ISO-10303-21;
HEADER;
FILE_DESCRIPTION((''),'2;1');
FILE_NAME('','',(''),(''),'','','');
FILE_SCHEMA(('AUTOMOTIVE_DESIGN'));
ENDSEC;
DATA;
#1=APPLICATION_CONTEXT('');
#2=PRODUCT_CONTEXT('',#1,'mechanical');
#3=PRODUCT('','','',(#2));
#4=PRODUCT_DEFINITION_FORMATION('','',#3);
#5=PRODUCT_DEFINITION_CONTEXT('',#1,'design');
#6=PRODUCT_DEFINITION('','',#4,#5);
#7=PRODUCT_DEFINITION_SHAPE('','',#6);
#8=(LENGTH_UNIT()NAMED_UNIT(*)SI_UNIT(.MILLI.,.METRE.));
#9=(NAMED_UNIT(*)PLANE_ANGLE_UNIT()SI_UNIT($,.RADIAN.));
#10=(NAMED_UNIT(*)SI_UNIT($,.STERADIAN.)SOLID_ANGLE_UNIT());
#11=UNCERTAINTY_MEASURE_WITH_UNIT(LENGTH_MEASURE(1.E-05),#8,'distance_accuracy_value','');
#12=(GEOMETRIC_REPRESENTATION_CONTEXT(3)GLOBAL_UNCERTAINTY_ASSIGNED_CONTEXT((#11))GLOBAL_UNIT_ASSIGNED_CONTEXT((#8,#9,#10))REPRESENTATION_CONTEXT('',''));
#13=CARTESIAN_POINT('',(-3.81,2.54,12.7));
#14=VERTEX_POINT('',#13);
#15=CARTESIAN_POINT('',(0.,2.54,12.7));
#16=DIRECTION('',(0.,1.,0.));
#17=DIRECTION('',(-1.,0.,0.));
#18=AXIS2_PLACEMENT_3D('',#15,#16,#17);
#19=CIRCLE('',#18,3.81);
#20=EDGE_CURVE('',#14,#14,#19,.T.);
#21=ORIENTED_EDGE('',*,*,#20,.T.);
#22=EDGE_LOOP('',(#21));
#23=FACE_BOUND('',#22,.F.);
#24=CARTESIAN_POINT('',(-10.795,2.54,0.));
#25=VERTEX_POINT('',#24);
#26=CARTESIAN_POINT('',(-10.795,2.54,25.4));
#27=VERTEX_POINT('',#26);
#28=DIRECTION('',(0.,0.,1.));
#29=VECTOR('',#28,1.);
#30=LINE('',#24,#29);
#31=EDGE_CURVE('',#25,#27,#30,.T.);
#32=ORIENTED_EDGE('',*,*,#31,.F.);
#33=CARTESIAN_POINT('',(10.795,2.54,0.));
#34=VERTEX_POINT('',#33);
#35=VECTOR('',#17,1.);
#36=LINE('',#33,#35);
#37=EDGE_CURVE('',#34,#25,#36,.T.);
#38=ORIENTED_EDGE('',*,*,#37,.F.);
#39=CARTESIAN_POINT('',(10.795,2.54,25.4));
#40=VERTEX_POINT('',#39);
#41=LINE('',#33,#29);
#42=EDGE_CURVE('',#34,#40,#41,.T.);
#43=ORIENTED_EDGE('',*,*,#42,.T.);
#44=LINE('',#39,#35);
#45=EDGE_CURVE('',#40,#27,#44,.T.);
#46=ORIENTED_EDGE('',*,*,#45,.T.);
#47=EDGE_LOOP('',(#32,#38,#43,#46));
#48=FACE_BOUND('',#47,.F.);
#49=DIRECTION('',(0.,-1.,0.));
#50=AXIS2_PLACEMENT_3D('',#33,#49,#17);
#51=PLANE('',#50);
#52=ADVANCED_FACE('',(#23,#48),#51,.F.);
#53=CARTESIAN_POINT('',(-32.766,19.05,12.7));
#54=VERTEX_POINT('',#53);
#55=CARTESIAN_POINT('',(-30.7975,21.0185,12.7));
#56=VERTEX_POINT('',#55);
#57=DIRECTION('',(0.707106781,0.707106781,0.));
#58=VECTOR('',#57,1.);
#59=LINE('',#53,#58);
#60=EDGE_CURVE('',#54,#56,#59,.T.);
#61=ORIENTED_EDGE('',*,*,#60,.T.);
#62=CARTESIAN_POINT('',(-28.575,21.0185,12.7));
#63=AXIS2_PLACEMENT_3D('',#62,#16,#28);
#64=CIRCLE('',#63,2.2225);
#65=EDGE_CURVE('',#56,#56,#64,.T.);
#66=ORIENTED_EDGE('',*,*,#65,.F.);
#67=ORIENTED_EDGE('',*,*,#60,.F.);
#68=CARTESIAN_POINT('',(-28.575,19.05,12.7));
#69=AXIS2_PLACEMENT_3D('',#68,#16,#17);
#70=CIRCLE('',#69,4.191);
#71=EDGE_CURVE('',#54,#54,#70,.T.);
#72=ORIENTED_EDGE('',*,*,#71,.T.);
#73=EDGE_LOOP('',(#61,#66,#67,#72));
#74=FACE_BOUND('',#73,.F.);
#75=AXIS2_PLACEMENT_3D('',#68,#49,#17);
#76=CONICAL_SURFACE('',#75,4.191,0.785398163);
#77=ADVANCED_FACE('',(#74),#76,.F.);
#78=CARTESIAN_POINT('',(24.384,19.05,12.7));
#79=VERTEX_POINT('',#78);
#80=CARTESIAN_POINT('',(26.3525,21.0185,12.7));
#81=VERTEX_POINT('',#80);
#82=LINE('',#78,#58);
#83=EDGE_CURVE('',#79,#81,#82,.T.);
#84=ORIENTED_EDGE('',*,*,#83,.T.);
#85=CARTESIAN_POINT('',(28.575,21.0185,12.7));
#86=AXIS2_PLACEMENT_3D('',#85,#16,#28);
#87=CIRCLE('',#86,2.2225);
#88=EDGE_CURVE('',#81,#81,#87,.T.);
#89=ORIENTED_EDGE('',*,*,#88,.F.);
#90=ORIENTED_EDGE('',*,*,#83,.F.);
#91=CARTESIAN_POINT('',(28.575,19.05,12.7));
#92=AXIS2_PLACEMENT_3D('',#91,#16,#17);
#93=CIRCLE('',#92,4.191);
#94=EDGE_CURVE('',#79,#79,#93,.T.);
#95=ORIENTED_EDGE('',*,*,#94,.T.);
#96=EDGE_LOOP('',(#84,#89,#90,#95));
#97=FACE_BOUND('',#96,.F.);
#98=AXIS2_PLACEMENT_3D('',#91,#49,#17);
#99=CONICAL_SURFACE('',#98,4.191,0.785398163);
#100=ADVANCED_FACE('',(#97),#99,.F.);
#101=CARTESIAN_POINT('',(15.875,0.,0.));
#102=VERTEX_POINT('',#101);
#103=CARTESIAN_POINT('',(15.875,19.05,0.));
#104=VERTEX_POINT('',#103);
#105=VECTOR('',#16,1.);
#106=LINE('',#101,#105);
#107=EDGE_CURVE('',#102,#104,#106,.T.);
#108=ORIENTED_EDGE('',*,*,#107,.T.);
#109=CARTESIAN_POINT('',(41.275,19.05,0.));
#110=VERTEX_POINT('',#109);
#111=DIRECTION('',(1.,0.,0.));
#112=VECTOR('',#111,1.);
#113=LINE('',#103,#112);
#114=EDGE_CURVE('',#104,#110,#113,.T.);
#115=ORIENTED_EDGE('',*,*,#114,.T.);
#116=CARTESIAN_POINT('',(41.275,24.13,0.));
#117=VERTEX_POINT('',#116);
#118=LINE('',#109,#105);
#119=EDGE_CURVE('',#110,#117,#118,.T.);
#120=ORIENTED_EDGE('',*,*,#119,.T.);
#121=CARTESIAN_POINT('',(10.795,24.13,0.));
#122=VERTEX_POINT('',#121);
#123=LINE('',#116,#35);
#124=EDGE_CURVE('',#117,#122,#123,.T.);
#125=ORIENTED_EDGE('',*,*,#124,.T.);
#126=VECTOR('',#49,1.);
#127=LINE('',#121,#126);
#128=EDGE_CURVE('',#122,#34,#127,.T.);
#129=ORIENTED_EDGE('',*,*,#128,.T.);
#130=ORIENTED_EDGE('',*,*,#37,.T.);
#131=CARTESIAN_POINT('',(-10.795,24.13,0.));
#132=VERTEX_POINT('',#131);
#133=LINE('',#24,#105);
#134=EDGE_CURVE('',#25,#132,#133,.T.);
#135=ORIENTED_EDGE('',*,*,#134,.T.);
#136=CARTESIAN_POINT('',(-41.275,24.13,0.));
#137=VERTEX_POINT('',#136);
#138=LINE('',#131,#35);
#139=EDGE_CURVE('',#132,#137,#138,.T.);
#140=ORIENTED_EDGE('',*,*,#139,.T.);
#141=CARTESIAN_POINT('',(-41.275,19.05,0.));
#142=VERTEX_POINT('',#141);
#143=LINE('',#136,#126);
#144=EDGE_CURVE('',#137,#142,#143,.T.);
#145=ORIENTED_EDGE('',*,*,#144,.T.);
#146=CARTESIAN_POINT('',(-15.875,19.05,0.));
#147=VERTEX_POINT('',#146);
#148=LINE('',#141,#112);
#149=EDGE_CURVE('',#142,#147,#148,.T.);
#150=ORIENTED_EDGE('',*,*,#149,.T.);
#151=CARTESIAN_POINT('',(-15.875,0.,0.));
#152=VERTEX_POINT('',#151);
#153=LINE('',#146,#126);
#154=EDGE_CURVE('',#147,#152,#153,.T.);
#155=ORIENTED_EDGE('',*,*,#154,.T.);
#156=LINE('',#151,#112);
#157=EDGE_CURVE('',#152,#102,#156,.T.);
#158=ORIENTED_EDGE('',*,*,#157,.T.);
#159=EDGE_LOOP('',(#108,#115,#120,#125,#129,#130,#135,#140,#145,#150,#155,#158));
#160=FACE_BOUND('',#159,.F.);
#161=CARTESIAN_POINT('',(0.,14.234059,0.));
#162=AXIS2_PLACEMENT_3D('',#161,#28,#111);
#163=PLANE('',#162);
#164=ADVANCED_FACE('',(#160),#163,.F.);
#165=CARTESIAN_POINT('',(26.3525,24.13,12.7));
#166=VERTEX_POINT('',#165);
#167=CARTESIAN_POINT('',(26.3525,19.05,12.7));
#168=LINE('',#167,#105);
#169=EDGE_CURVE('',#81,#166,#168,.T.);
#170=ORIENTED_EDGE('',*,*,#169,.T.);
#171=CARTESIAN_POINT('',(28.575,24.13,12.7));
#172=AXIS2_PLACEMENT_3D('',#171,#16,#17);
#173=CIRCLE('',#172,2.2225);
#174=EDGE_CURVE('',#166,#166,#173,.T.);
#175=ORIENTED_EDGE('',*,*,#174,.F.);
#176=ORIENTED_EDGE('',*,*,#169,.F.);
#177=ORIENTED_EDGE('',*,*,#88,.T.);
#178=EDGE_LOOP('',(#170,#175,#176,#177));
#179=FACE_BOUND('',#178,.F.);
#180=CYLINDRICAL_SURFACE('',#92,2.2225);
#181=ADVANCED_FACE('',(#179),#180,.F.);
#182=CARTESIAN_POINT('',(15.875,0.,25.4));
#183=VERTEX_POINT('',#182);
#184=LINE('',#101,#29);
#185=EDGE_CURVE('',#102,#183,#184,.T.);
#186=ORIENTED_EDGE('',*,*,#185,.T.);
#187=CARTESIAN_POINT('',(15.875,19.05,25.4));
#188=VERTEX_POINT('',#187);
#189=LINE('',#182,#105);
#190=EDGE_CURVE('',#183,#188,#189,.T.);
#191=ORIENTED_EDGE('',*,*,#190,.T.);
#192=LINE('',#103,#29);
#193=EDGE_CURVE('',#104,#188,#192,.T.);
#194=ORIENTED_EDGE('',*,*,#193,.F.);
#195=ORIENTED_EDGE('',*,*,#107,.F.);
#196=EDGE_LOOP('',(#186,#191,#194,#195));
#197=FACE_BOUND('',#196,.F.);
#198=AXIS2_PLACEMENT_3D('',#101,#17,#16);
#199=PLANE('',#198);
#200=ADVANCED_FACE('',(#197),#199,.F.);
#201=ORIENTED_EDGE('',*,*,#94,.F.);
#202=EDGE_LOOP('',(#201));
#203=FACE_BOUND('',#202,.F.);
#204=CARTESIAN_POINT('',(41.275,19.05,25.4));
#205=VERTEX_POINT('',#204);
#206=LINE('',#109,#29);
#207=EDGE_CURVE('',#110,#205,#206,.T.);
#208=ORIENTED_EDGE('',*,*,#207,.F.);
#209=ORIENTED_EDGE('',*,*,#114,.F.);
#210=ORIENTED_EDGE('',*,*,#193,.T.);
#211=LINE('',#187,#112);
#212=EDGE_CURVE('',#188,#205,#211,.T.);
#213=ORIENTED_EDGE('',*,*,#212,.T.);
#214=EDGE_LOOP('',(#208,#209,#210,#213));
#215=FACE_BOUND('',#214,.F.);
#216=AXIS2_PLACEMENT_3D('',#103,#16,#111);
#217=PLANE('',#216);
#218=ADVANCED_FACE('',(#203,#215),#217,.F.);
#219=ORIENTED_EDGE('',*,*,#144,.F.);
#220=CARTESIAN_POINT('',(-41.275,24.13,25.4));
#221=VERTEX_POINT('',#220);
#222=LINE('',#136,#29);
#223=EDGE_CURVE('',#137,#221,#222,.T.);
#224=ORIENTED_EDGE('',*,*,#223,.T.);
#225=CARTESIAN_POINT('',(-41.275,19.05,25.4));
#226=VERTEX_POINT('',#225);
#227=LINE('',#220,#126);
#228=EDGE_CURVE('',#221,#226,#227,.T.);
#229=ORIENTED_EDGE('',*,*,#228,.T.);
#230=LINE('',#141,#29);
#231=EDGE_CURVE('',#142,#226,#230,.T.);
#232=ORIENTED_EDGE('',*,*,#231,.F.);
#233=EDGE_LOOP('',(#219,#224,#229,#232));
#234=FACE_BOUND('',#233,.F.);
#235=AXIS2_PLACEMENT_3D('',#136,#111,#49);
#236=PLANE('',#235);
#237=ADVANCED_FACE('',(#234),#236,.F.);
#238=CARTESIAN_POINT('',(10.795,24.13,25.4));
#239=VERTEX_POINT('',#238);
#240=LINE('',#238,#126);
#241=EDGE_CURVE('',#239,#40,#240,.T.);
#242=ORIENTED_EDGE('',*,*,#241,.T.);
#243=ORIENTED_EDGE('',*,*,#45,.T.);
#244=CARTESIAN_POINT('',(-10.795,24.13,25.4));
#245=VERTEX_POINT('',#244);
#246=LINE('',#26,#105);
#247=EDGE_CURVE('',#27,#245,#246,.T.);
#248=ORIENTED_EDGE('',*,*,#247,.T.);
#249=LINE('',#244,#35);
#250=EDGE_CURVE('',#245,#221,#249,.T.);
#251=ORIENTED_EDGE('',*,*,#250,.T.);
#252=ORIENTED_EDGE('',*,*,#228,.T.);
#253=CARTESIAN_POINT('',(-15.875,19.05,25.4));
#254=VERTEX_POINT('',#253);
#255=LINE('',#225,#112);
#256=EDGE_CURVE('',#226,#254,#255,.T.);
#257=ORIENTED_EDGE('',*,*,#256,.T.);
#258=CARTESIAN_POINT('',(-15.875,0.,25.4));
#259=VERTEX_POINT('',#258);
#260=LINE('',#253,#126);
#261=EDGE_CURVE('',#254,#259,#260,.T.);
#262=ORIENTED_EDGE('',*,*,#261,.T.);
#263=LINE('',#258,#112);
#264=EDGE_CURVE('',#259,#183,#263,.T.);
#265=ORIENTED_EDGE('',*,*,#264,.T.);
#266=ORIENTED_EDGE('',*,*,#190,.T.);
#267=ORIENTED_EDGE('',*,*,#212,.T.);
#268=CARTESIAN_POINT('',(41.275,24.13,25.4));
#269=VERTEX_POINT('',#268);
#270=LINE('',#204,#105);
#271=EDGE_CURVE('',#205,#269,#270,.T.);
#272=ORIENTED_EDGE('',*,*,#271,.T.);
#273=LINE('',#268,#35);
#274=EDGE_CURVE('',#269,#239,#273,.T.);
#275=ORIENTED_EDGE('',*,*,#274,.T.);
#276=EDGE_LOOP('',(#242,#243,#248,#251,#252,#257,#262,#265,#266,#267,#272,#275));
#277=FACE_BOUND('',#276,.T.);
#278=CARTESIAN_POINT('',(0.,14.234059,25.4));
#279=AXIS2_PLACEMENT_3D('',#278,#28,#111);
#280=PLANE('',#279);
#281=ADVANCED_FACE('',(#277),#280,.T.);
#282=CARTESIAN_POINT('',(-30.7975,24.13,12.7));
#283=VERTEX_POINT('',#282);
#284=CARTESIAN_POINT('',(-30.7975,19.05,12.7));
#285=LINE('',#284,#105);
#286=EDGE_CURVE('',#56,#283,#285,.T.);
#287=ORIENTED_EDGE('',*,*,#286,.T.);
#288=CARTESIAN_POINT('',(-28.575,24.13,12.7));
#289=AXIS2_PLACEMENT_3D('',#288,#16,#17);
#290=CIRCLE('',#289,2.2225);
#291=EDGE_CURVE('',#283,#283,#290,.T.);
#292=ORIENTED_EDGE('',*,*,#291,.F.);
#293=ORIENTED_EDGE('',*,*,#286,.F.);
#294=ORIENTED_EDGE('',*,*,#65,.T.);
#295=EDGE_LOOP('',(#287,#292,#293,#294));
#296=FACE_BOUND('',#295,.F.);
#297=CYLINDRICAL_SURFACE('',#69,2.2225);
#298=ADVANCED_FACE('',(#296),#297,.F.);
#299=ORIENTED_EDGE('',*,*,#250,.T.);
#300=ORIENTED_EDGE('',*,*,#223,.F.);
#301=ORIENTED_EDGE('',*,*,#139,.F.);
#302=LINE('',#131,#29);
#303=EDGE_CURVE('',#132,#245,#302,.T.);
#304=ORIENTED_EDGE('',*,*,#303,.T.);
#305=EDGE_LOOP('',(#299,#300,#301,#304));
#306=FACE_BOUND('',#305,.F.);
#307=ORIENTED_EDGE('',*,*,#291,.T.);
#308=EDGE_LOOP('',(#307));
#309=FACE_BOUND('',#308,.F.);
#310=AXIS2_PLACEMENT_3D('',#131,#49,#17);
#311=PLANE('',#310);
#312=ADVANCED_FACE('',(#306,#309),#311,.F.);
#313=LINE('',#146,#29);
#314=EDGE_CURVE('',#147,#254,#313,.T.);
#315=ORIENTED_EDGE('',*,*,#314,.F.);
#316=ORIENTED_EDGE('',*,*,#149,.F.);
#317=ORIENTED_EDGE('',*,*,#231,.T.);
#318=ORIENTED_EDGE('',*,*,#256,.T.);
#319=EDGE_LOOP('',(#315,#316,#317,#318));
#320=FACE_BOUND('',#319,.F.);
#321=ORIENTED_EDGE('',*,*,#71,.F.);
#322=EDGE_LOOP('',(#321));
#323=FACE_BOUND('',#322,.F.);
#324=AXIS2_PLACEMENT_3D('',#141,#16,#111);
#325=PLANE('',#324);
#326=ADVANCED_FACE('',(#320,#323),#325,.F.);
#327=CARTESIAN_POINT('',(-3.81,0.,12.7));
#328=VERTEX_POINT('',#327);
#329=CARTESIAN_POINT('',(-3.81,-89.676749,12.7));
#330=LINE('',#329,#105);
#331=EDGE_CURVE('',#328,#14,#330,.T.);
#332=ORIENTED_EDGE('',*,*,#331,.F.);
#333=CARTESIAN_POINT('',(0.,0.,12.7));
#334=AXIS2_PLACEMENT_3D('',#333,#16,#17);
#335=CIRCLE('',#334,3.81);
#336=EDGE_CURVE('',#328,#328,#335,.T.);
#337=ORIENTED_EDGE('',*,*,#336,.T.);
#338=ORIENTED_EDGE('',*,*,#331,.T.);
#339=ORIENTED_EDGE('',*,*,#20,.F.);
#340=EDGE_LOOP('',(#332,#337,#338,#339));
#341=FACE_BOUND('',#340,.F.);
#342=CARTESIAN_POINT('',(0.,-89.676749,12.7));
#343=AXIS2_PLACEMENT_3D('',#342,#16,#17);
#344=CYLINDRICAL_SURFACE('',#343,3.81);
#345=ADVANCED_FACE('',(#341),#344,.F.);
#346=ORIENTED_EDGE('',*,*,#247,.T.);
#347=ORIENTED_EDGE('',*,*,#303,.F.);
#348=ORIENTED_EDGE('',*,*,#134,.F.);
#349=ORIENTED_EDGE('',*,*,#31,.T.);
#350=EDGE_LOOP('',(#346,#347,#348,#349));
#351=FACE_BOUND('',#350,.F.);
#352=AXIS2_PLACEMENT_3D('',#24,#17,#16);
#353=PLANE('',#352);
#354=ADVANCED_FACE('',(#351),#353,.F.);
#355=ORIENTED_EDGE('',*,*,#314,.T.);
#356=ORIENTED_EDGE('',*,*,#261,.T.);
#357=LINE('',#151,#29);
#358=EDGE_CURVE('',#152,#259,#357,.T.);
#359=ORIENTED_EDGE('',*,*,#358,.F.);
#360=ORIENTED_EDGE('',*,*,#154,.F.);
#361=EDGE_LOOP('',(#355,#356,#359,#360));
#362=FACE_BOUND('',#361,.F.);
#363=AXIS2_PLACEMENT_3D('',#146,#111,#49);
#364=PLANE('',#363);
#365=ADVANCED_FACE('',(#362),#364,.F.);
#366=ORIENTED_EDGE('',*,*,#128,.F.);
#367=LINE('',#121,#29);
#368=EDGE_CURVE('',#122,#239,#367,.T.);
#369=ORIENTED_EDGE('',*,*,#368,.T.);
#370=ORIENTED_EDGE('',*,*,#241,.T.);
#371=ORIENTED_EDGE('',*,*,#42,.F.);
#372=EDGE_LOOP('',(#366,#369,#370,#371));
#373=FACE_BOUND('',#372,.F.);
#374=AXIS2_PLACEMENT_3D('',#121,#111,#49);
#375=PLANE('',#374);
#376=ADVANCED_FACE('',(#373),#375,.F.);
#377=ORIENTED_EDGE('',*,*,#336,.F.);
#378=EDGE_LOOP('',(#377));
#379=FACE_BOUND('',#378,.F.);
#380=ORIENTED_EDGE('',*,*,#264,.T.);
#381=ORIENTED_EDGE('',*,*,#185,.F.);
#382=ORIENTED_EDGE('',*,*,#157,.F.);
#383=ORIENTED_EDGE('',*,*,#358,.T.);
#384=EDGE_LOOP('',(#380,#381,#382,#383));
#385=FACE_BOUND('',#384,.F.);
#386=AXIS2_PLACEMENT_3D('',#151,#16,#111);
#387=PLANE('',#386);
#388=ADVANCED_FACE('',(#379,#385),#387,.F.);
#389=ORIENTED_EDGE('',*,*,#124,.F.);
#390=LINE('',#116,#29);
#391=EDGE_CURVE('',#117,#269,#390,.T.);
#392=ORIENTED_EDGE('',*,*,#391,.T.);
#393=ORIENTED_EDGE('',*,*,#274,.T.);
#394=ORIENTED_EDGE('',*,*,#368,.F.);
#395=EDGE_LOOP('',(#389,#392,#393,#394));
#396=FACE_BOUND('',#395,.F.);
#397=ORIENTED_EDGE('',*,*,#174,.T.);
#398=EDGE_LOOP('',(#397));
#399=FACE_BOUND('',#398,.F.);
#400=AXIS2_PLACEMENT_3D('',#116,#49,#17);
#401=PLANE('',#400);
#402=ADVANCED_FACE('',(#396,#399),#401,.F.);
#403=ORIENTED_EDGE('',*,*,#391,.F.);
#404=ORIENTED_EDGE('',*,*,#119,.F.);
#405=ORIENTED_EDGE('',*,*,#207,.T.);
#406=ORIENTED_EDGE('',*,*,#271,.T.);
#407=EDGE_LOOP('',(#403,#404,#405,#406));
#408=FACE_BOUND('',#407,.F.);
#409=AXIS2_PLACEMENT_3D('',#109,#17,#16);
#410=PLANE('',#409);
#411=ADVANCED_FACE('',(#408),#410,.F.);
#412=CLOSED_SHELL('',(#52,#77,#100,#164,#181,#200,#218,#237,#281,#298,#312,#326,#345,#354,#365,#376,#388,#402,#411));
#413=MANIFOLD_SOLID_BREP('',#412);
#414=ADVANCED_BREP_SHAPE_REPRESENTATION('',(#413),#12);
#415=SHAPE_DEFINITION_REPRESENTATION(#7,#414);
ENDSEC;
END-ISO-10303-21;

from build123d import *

# Parameters (mm, degrees)
F1_DEPTH       = 25.4
F3_D           = 7.62
F6_D           = 4.445
F6_CSINK_D     = 8.382
F6_CSINK_ANGLE = 90
F7_D           = 4.445
F7_CSINK_D     = 8.382
F7_CSINK_ANGLE = 90


with BuildPart() as f1:
    # F0 (on Top) → F1 (new body)
    with BuildSketch(Plane.XY):
        Polygon((-10.795, 24.13), (-41.275, 24.13), (-41.275, 19.05), (-15.875, 19.05), (-15.875, 0), (15.875, 0), (15.875, 19.05), (41.275, 19.05), (41.275, 24.13), (10.795, 24.13), (10.795, 2.54), (-10.795, 2.54), align=None)
    extrude(amount=F1_DEPTH)

    # F3 (through all)
    with Locations(Plane.XZ):
        with Locations((0, 12.7)):
            Hole(F3_D / 2)

    # F6 (through all)
    with Locations(Plane.XZ.offset(-19.05)):
        with Locations((-28.575, 12.7)):
            CounterSinkHole(F6_D / 2, F6_CSINK_D / 2, counter_sink_angle=F6_CSINK_ANGLE)

    # F7 (through all)
    with Locations(Plane.XZ.offset(-19.05)):
        with Locations((28.575, 12.7)):
            CounterSinkHole(F7_D / 2, F7_CSINK_D / 2, counter_sink_angle=F7_CSINK_ANGLE)


solid = f1.part
